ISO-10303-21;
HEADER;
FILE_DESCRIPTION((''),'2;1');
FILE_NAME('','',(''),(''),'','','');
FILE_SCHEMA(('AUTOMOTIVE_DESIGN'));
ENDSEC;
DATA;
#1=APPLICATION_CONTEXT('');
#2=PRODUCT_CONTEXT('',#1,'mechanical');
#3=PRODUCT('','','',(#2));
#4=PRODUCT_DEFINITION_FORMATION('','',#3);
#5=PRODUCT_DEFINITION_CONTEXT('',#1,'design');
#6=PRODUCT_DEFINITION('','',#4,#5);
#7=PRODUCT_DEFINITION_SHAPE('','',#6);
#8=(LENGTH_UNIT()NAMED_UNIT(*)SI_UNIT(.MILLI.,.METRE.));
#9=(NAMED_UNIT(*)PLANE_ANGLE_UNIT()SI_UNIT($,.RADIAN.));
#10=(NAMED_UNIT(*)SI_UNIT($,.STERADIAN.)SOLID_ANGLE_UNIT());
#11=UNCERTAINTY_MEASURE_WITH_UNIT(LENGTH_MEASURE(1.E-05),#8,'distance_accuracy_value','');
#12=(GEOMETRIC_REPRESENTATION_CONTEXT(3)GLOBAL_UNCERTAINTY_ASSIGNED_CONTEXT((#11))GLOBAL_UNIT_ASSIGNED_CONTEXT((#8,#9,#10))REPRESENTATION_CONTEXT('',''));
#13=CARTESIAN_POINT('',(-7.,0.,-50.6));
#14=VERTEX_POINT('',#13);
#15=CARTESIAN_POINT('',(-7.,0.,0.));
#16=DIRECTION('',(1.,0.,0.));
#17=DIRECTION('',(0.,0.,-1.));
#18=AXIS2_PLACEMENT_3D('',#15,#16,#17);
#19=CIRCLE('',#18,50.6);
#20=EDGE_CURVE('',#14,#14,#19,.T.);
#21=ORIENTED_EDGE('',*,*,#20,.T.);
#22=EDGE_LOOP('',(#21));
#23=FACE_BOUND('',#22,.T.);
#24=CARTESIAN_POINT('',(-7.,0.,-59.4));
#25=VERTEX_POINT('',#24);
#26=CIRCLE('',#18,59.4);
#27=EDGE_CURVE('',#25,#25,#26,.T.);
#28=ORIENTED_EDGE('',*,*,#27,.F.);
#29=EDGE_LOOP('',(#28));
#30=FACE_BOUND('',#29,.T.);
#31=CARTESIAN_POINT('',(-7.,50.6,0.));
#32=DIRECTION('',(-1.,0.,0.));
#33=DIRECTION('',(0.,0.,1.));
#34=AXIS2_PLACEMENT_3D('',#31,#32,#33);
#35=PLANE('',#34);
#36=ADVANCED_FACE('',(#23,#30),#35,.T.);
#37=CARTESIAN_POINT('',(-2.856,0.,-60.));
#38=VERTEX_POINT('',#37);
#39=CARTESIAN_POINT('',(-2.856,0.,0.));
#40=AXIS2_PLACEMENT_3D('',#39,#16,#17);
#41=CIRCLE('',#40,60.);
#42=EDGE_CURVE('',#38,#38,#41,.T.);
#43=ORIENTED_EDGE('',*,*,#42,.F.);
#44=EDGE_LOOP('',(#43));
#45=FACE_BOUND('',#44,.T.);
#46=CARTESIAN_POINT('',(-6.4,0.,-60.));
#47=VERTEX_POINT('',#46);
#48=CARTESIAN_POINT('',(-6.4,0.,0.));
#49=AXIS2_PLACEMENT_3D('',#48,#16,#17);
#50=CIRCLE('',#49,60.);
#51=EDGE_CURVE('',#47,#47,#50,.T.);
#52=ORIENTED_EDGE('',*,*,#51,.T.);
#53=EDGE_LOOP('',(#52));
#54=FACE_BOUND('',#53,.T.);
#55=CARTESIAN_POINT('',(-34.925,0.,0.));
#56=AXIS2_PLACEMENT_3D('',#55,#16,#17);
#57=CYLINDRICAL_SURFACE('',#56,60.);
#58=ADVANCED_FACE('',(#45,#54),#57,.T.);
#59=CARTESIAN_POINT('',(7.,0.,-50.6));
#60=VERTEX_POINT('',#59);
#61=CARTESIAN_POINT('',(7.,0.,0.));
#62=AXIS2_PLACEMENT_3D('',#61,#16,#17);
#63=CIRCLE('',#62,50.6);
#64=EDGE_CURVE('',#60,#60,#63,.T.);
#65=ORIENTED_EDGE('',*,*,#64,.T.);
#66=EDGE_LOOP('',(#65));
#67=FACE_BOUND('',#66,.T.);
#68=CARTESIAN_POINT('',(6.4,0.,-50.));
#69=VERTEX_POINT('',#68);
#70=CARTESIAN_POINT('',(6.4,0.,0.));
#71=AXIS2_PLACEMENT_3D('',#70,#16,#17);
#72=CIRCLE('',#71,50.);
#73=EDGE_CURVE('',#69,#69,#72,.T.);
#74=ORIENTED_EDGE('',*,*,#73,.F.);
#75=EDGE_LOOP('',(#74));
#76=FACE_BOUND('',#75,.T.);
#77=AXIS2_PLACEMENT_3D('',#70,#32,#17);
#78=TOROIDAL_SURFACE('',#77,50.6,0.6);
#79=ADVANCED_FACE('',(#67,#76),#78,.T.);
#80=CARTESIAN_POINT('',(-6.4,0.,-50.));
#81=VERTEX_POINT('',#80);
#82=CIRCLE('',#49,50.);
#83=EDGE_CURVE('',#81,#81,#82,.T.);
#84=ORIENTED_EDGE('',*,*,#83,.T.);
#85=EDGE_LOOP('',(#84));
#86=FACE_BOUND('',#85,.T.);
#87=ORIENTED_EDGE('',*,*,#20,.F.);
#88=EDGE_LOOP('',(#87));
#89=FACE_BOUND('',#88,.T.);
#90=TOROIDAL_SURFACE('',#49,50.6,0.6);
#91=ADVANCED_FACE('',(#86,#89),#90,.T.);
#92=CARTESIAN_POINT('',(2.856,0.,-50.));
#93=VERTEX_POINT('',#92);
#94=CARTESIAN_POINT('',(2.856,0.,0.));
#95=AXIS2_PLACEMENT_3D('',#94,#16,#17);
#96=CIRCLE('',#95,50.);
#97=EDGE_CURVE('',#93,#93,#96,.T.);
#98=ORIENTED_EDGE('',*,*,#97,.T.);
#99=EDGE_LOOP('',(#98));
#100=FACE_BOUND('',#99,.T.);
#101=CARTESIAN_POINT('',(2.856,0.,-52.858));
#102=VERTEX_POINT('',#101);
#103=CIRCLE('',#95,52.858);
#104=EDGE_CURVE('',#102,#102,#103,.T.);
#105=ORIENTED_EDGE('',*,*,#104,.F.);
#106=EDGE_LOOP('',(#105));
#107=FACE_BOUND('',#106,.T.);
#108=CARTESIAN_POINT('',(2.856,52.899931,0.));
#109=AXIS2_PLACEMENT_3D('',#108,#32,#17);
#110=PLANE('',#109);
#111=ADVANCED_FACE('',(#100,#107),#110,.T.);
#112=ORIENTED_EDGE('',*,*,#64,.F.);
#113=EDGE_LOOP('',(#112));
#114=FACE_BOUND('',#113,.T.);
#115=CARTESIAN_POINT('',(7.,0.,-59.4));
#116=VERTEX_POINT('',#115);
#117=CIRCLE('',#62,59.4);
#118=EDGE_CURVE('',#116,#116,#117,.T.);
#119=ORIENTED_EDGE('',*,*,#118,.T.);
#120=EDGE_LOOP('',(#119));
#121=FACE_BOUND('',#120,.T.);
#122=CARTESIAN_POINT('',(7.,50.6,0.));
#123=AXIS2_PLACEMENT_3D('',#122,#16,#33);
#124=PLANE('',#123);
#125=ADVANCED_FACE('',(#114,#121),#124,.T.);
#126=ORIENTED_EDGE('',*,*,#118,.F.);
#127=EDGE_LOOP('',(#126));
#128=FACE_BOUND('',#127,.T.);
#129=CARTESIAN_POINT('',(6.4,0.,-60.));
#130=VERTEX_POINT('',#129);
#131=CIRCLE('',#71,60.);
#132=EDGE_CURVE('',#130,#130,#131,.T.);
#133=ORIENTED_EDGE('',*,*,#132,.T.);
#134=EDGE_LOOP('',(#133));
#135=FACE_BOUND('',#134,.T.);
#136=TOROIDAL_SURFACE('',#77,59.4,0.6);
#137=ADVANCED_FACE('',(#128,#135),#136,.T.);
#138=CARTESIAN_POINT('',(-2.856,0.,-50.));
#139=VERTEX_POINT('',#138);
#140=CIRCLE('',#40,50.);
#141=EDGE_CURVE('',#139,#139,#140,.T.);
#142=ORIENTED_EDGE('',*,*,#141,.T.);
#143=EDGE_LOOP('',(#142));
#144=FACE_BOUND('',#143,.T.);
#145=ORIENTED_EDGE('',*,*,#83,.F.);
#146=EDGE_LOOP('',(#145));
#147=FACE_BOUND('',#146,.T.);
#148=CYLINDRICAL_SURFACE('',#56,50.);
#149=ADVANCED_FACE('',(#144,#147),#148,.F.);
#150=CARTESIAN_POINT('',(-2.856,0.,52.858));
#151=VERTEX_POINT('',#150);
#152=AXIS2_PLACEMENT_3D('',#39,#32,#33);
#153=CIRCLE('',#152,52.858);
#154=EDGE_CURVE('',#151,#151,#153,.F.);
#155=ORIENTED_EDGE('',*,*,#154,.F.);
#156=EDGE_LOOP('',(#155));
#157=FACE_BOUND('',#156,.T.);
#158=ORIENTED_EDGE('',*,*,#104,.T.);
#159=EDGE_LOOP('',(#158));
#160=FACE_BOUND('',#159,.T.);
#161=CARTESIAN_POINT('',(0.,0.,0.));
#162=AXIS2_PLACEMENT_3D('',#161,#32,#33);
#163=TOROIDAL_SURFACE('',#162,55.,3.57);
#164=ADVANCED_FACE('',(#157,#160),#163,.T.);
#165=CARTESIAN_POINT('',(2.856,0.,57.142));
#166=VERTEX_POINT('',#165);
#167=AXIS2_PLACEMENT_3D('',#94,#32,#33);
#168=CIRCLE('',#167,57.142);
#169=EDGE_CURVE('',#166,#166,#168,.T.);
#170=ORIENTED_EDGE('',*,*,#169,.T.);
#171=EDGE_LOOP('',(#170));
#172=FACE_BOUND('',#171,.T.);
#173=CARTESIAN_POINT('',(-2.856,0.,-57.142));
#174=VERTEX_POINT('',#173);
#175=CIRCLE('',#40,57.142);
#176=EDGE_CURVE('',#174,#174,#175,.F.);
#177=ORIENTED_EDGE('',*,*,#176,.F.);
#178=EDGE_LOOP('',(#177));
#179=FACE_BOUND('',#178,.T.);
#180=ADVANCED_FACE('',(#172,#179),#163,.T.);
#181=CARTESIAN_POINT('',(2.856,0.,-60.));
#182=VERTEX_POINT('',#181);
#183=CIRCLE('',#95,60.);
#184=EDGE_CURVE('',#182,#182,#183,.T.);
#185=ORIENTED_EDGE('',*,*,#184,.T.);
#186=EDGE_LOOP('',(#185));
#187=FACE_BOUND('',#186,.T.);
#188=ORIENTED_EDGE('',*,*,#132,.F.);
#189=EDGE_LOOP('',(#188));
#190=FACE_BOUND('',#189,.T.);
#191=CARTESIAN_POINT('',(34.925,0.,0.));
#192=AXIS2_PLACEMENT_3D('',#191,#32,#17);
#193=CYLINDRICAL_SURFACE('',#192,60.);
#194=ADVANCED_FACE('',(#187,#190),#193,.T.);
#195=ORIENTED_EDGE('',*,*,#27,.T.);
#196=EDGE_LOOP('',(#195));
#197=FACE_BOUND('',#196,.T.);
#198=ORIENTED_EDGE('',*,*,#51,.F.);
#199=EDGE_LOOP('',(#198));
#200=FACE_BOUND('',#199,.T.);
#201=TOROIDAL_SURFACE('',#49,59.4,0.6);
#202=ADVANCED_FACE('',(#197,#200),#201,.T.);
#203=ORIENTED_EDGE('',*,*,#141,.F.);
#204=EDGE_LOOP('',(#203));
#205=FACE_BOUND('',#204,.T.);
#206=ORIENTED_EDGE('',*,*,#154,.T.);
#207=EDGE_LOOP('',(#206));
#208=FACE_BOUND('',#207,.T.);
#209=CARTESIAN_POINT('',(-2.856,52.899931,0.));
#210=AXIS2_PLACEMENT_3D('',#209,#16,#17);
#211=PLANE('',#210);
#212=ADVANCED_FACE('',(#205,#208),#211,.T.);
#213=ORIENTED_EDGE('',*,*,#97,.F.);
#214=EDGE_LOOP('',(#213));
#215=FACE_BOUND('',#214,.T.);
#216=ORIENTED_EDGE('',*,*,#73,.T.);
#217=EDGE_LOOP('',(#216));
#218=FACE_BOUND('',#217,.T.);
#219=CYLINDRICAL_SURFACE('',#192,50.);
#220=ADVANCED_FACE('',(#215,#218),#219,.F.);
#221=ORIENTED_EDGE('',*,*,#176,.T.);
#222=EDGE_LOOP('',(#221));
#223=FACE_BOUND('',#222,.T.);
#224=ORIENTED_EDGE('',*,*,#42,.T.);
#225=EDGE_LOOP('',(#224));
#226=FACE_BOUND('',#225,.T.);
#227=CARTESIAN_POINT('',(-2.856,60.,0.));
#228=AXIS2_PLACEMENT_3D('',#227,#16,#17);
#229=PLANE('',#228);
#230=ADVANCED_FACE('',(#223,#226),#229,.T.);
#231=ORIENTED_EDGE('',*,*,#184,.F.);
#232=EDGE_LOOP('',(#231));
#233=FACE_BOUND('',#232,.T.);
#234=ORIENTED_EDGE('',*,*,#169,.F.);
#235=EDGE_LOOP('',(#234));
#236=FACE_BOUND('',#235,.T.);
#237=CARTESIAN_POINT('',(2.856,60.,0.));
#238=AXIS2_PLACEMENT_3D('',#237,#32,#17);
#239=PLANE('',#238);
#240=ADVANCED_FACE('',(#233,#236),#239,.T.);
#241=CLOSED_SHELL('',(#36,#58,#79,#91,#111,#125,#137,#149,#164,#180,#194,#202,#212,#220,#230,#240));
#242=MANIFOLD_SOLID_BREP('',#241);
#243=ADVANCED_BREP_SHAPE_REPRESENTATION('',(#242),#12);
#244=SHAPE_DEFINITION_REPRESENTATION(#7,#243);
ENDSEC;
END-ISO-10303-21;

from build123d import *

# Parameters (mm, degrees)
BALSIMSKE_R = 3.57


with BuildPart() as part:
    # InnRacSke → Race (revolve)
    with BuildSketch(Plane.XY, mode=Mode.PRIVATE) as race_sk:
        with BuildLine():
            Line((-2.856, 52.899931192), (-2.856, 50))
            Line((-2.856, 50), (-6.4, 50))
            ThreePointArc((-6.4, 50), (-6.824264069, 50.175735931), (-7, 50.6))
            Line((-7, 50.6), (-7, 59.4))
            ThreePointArc((-7, 59.4), (-6.824264069, 59.824264069), (-6.4, 60))
            Line((-6.4, 60), (-2.856, 60))
            Line((-2.856, 60), (-2.856, 57.100068808))
            ThreePointArc((-2.856, 57.100068808), (-3.545, 55), (-2.856, 52.899931192))
        make_face()
    race = revolve(race_sk.sketch.rotate(Axis((-34.925, 0, 0), (1, 0, 0)), 270), axis=Axis((-34.925, 0, 0), (1, 0, 0)))

    # BalSimSke → BallsSimplified (revolve)
    with BuildSketch(Plane.XY, mode=Mode.PRIVATE) as ballssimplified_sk:
        with Locations((0, 55)):
            Circle(BALSIMSKE_R)
    revolve(ballssimplified_sk.sketch.rotate(Axis((-25.4, 0, 0), (1, 0, 0)), 90), axis=Axis((-25.4, 0, 0), (1, 0, 0)))

    # Mirror1: Race across plane
    add(race.mirror(Plane(origin=(0, 0, 0), x_dir=(0, 0, 1), z_dir=(1, 0, 0))))


solid = part.part
